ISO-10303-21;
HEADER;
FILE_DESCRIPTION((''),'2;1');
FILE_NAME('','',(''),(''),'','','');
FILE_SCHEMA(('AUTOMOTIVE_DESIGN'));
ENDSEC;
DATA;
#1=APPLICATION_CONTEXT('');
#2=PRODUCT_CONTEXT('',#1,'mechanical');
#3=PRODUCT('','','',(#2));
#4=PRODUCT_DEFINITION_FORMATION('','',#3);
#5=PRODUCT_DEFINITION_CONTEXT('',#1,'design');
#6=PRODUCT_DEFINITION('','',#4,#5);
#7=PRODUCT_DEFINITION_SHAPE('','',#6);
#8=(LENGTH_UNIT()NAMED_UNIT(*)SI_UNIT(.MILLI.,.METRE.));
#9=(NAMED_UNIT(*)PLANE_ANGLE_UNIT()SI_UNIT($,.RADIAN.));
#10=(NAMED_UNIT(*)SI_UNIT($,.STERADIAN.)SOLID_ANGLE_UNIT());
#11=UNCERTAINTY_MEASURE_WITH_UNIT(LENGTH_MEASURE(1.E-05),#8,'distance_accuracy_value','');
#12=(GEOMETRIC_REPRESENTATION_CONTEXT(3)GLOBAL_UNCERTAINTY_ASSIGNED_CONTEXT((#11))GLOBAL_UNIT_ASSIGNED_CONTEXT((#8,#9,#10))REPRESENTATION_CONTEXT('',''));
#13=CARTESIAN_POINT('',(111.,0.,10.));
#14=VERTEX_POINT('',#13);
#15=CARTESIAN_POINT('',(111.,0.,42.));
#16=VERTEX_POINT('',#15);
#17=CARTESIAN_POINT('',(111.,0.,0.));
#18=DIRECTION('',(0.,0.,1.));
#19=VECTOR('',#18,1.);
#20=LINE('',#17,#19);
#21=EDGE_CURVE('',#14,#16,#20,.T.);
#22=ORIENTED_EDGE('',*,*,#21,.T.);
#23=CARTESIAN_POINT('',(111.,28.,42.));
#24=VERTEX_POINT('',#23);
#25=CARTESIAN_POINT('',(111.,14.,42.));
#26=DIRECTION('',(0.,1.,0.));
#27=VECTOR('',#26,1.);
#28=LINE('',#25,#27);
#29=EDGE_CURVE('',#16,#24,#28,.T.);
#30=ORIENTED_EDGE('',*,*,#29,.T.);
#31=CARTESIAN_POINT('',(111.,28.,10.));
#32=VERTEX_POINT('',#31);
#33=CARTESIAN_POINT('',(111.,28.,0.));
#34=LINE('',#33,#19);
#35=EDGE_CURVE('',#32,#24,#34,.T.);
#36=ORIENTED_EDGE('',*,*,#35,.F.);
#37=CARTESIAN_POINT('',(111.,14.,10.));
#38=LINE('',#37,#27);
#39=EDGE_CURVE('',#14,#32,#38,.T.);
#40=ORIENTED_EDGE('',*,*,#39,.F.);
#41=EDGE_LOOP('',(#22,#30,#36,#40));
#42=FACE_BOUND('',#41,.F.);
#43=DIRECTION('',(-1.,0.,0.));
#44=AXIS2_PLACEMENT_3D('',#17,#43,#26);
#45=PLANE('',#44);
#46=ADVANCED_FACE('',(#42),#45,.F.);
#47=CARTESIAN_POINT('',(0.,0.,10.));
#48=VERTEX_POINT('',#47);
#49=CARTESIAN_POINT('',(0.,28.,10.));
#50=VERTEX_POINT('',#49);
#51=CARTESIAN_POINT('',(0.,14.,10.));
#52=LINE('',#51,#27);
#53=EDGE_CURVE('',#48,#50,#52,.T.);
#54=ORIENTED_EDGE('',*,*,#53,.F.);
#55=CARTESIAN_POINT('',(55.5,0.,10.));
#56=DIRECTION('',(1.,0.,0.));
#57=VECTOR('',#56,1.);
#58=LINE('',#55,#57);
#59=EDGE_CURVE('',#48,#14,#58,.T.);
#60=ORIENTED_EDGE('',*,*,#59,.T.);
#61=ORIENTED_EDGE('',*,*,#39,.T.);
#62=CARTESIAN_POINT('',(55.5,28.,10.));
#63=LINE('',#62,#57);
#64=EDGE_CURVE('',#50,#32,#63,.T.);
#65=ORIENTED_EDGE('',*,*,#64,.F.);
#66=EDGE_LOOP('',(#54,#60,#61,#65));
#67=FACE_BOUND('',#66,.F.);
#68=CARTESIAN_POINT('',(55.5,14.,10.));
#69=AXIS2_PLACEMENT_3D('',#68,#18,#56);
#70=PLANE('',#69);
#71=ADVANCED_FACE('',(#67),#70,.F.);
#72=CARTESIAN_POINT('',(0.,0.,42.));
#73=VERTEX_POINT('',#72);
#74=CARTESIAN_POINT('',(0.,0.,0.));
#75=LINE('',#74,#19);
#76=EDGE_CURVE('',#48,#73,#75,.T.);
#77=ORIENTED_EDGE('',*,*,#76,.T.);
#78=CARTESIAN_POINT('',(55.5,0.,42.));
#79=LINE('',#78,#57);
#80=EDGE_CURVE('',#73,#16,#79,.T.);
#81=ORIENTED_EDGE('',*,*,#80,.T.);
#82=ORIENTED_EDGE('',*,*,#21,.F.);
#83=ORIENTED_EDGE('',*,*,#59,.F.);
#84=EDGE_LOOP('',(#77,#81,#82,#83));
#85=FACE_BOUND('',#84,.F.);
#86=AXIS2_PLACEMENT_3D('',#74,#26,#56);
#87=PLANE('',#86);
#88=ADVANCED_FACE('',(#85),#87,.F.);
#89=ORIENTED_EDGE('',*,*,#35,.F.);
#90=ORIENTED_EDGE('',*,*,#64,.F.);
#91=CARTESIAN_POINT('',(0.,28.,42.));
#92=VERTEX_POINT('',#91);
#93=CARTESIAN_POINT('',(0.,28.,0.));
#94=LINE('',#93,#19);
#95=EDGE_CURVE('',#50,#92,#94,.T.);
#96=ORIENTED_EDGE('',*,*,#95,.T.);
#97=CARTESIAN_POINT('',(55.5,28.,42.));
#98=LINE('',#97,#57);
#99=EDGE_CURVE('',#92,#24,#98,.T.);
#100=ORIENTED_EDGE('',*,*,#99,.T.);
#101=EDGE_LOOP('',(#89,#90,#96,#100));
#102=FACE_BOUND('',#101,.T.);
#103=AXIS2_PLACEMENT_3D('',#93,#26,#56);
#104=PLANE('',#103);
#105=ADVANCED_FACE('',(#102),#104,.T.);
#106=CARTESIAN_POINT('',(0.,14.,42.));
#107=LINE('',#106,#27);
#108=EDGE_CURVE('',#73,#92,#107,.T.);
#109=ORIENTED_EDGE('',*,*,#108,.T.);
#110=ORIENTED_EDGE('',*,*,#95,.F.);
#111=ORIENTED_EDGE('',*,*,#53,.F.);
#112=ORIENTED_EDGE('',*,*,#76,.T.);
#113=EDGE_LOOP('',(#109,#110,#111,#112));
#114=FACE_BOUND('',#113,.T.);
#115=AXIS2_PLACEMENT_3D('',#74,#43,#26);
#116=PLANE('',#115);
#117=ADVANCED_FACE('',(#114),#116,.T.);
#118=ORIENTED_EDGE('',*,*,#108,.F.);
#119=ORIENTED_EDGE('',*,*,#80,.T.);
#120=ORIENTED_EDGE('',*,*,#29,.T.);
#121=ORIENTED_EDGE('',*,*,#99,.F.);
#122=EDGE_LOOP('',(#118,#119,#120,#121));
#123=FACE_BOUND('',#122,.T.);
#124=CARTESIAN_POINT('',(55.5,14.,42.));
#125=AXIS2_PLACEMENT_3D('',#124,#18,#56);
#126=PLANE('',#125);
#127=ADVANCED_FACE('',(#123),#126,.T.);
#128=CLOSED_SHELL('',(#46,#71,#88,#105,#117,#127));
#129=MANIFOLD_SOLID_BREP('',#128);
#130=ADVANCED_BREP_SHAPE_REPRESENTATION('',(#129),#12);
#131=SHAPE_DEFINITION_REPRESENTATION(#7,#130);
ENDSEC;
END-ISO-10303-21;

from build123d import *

# Parameters (mm, degrees)
BOX_W        = 111
BOX_H        = 28
BOX_DEPTH    = 42
BOX001_W     = 111
BOX001_H     = 28
BOX001_DEPTH = 10


with BuildPart() as part:
    # Box → Box (join)
    with BuildSketch(Plane.XY):
        with Locations((55.5, 14)):
            Rectangle(BOX_W, BOX_H)
    extrude(amount=BOX_DEPTH)

    # Box001 → Box001 (cut)
    with BuildSketch(Plane.XY):
        with Locations((55.5, 14)):
            Rectangle(BOX001_W, BOX001_H)
    extrude(amount=BOX001_DEPTH, mode=Mode.SUBTRACT)


solid = part.part
